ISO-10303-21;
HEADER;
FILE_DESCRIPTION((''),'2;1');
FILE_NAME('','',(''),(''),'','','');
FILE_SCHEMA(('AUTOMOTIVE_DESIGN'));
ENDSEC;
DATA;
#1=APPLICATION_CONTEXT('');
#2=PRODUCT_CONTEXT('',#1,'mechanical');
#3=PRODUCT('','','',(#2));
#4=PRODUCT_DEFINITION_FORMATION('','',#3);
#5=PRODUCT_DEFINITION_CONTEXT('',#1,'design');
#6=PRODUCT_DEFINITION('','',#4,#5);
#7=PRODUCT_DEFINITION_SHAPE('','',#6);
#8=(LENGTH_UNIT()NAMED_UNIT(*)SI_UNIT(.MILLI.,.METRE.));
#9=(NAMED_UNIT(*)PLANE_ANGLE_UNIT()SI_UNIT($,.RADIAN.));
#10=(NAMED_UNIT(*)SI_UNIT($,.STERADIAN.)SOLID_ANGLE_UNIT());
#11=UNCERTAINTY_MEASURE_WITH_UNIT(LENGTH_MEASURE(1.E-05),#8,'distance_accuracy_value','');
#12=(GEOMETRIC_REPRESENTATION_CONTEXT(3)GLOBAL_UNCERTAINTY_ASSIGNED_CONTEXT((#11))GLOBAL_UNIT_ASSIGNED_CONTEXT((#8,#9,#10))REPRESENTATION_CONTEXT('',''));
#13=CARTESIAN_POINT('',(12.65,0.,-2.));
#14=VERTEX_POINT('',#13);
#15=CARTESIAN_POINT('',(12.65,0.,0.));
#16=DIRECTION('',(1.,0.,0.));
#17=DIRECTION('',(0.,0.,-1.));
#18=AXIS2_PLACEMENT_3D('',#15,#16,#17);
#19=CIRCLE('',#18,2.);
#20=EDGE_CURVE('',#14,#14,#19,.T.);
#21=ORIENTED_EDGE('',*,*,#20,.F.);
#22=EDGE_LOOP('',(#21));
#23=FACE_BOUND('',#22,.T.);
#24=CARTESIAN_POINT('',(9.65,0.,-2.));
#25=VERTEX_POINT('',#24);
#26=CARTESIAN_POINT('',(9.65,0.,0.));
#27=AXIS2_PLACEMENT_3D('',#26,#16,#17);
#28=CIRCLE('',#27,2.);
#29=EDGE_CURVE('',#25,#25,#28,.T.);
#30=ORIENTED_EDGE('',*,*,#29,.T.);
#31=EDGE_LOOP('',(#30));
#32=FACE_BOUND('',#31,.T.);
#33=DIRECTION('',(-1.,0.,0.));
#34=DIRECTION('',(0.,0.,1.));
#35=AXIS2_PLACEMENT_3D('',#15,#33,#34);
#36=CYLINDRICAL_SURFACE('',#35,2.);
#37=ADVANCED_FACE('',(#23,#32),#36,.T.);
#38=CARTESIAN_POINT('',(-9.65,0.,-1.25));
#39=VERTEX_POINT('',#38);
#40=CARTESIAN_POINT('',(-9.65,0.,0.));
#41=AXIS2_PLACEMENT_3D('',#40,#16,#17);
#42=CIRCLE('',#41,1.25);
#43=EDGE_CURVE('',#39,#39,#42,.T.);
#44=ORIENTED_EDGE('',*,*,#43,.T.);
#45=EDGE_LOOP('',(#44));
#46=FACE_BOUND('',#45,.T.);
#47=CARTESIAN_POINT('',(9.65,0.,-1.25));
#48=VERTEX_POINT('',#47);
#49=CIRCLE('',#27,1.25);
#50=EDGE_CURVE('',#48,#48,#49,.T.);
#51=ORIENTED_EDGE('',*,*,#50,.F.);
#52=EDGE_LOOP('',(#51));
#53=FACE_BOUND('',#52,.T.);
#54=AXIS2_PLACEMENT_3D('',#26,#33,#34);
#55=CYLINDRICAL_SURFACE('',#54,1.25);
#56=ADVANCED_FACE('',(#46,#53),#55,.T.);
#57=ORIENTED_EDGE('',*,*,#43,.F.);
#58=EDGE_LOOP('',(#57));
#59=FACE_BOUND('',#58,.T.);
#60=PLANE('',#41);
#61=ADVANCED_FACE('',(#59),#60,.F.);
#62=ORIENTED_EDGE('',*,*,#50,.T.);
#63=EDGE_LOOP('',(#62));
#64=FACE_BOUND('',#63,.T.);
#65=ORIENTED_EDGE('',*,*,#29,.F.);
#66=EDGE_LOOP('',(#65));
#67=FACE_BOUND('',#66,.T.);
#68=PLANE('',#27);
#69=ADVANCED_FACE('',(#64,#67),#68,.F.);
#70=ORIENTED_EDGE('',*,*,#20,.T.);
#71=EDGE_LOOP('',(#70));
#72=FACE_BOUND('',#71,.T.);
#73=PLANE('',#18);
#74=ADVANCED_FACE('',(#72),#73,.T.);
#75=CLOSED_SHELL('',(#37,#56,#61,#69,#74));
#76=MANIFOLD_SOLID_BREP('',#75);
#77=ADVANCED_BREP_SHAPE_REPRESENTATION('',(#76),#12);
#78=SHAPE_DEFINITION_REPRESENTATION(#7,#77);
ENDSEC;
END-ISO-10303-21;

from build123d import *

# Parameters (mm, degrees)
SKETCH1_R           = 1.25
BOSS_EXTRUDE1_DEPTH = 9.65
SKETCH2_R           = 2
BOSS_EXTRUDE2_DEPTH = 3


with BuildPart() as part:
    # Sketch1 → Boss-Extrude1 (new, symmetric)
    with BuildSketch(Plane(origin=(0, 0, 0), x_dir=(0, 0, -1), z_dir=(1, 0, 0))):
        Circle(SKETCH1_R)
    extrude(amount=BOSS_EXTRUDE1_DEPTH, both=True)

    # Sketch2 → Boss-Extrude2 (add)
    with BuildSketch(Plane(origin=(9.65, 0, 0), x_dir=(0, 0, -1), z_dir=(1, 0, 0))):
        Circle(SKETCH2_R)
    extrude(amount=BOSS_EXTRUDE2_DEPTH)


solid = part.part
